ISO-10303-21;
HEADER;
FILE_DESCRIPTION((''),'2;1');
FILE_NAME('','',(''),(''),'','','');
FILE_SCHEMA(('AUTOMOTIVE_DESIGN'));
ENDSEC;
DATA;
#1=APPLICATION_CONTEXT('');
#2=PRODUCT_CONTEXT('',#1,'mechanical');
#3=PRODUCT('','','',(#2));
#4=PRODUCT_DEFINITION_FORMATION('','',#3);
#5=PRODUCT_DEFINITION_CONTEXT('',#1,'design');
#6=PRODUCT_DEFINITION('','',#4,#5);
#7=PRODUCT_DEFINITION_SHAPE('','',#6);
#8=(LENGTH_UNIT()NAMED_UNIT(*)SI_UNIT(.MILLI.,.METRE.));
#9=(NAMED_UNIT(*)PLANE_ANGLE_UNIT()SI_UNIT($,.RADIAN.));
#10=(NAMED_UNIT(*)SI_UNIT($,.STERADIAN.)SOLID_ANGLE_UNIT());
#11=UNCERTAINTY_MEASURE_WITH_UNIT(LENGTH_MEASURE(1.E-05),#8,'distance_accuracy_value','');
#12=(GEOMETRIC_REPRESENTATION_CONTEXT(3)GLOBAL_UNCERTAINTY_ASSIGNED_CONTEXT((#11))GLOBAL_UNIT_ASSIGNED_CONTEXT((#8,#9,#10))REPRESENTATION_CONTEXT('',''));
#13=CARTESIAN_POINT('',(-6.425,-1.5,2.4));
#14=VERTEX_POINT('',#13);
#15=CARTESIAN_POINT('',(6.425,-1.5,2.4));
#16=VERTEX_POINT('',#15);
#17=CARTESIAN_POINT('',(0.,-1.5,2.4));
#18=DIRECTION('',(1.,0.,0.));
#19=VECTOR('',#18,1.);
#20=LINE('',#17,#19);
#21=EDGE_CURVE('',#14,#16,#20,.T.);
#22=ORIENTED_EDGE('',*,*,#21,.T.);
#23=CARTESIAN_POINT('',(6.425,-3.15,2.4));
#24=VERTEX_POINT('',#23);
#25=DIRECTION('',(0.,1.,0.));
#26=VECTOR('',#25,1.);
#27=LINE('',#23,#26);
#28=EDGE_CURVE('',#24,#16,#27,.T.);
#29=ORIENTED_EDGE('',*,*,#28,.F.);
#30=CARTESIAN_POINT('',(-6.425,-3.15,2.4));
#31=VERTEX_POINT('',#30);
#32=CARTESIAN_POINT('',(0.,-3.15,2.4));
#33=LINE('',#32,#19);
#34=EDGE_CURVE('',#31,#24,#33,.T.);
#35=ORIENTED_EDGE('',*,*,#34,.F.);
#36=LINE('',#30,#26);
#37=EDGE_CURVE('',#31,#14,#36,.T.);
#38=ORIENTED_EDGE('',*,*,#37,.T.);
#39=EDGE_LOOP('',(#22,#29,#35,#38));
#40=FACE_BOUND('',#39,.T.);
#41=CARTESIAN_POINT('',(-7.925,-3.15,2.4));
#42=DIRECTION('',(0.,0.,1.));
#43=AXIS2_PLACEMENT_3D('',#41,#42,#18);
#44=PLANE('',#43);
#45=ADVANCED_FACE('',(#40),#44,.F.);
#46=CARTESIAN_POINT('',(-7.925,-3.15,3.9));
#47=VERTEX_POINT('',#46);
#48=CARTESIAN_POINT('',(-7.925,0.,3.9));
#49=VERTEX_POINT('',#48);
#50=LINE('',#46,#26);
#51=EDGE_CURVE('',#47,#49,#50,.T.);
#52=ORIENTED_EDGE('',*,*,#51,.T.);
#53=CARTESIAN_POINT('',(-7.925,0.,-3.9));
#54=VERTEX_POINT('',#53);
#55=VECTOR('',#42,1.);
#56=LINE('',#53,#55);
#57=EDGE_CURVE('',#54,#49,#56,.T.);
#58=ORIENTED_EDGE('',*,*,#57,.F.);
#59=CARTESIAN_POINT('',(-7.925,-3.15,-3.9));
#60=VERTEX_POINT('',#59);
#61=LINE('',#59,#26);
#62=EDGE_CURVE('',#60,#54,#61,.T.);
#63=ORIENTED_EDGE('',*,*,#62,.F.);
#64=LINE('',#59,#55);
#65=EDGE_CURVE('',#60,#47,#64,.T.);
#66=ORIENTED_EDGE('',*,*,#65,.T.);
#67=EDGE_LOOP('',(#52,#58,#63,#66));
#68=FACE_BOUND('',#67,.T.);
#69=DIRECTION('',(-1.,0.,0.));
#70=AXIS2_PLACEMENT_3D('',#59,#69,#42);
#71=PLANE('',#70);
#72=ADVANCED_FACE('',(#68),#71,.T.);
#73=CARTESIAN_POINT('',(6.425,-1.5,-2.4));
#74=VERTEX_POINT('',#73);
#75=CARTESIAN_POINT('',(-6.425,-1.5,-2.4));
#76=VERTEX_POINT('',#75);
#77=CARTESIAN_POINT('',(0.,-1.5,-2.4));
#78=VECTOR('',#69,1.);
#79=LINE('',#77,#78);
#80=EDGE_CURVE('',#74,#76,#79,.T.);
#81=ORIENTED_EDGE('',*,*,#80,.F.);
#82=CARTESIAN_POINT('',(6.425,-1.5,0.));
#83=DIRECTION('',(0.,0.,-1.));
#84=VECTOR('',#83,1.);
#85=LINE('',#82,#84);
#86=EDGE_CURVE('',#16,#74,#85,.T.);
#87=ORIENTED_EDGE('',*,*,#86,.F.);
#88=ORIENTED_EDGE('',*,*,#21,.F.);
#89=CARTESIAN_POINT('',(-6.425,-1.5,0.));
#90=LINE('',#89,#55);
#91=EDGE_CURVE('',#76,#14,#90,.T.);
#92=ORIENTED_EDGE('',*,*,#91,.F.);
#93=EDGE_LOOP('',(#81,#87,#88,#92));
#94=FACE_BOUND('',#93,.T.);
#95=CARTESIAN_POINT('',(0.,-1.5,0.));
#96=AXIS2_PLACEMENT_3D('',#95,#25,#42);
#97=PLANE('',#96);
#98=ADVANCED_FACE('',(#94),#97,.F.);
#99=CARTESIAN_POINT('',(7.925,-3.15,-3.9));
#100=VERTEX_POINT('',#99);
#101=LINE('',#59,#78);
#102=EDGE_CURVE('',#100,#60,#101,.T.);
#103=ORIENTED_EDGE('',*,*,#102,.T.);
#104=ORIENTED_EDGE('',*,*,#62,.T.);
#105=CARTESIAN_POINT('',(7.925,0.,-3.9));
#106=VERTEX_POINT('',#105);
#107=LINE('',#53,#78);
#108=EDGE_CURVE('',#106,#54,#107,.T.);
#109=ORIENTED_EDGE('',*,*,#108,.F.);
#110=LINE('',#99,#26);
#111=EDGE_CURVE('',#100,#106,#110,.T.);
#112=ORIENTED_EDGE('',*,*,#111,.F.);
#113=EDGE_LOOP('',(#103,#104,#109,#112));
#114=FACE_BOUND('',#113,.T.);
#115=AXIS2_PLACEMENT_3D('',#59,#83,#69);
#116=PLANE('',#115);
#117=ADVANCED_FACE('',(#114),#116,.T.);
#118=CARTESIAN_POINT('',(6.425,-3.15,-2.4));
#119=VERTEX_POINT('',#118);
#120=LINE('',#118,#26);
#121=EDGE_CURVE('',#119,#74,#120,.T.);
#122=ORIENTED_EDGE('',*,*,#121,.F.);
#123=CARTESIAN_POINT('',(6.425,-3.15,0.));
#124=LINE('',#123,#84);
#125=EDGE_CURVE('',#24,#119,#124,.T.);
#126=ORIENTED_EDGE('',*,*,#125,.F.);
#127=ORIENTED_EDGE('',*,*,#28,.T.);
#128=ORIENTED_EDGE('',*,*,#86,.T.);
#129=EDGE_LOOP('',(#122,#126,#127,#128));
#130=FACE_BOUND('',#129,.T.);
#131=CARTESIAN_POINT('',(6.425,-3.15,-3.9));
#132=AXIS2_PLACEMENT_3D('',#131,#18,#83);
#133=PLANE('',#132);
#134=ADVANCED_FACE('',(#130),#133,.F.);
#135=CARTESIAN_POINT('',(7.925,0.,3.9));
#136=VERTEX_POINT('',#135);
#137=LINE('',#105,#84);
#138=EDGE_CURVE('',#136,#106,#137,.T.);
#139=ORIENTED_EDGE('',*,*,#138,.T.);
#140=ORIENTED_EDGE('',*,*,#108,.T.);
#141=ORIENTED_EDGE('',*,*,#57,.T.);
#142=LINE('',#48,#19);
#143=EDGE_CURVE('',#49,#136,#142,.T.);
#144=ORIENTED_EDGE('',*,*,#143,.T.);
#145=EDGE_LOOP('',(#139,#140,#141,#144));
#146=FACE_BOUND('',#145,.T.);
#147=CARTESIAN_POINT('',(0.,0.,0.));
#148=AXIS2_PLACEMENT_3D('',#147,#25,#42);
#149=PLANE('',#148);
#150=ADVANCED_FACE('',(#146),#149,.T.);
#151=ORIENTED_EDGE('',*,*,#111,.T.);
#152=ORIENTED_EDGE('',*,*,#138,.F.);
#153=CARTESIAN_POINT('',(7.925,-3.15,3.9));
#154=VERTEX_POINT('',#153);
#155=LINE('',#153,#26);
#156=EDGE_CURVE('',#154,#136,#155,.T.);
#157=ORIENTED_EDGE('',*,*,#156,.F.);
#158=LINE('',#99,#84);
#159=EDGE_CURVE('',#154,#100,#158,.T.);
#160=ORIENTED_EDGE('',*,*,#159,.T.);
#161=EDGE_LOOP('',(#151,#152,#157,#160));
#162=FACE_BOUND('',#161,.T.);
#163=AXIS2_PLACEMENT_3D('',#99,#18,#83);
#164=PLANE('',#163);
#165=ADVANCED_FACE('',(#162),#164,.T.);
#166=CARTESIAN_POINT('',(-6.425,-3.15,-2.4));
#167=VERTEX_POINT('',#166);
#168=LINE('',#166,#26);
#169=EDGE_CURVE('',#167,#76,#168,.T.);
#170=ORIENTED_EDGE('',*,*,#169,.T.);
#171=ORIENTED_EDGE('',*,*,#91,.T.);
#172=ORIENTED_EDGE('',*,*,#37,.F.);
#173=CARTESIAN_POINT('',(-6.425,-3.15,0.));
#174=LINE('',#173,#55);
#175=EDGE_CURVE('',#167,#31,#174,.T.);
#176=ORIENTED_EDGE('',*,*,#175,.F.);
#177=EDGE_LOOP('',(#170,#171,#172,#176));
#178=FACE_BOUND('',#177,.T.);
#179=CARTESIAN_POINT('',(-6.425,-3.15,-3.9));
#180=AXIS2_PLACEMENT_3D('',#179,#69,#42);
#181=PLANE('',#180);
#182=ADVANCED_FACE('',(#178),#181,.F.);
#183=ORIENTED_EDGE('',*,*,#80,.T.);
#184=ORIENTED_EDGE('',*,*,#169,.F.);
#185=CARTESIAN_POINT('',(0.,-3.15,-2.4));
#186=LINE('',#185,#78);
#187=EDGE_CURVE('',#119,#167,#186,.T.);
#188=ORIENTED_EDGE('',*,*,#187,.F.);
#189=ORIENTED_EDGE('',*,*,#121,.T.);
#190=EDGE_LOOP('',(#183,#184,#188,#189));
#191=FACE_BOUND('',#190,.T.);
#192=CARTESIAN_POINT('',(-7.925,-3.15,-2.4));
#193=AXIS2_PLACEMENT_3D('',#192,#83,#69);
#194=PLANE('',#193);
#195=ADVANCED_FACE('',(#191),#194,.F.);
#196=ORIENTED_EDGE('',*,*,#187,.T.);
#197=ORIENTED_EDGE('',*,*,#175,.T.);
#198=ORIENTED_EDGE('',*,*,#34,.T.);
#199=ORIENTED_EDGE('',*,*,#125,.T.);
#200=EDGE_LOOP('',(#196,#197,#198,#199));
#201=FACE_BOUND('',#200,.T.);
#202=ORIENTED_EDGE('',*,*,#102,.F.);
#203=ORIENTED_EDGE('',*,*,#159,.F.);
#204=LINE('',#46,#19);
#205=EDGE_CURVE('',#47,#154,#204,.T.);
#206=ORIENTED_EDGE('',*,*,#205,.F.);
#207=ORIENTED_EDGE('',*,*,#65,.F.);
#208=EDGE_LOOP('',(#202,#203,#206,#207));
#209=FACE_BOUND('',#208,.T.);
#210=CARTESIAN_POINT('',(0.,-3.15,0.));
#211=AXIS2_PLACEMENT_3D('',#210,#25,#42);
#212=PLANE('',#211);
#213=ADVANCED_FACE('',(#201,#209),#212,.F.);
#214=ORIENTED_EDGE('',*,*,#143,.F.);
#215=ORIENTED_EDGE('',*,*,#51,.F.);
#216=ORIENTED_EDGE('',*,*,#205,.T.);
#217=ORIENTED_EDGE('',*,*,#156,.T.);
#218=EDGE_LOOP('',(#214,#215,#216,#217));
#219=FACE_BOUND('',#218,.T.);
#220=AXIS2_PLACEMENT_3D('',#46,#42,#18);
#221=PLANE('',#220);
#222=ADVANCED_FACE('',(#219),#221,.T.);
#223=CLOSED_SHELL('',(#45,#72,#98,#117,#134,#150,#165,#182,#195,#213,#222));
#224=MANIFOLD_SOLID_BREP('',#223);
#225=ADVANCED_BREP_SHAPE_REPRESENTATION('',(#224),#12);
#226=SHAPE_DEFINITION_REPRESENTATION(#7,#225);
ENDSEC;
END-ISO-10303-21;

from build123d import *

# Parameters (mm, degrees)
SKETCH1_W           = 15.85
SKETCH1_H           = 7.8
BOSS_EXTRUDE1_DEPTH = 3.15
SHELL1_T            = -1.5


with BuildPart() as part:
    # Sketch1 → Boss-Extrude1 (new body)
    with BuildSketch(Plane(origin=(0, 0, 0), x_dir=(1, 0, 0), z_dir=(0, 1, 0))):
        Rectangle(SKETCH1_W, SKETCH1_H)
    extrude(amount=-BOSS_EXTRUDE1_DEPTH)

    # Shell1
    shell1_openings = [part.faces().sort_by_distance(p)[0] for p in [
        (0, -3.15, 0),
    ]]
    offset(amount=SHELL1_T, openings=shell1_openings, kind=Kind.INTERSECTION)


solid = part.part
